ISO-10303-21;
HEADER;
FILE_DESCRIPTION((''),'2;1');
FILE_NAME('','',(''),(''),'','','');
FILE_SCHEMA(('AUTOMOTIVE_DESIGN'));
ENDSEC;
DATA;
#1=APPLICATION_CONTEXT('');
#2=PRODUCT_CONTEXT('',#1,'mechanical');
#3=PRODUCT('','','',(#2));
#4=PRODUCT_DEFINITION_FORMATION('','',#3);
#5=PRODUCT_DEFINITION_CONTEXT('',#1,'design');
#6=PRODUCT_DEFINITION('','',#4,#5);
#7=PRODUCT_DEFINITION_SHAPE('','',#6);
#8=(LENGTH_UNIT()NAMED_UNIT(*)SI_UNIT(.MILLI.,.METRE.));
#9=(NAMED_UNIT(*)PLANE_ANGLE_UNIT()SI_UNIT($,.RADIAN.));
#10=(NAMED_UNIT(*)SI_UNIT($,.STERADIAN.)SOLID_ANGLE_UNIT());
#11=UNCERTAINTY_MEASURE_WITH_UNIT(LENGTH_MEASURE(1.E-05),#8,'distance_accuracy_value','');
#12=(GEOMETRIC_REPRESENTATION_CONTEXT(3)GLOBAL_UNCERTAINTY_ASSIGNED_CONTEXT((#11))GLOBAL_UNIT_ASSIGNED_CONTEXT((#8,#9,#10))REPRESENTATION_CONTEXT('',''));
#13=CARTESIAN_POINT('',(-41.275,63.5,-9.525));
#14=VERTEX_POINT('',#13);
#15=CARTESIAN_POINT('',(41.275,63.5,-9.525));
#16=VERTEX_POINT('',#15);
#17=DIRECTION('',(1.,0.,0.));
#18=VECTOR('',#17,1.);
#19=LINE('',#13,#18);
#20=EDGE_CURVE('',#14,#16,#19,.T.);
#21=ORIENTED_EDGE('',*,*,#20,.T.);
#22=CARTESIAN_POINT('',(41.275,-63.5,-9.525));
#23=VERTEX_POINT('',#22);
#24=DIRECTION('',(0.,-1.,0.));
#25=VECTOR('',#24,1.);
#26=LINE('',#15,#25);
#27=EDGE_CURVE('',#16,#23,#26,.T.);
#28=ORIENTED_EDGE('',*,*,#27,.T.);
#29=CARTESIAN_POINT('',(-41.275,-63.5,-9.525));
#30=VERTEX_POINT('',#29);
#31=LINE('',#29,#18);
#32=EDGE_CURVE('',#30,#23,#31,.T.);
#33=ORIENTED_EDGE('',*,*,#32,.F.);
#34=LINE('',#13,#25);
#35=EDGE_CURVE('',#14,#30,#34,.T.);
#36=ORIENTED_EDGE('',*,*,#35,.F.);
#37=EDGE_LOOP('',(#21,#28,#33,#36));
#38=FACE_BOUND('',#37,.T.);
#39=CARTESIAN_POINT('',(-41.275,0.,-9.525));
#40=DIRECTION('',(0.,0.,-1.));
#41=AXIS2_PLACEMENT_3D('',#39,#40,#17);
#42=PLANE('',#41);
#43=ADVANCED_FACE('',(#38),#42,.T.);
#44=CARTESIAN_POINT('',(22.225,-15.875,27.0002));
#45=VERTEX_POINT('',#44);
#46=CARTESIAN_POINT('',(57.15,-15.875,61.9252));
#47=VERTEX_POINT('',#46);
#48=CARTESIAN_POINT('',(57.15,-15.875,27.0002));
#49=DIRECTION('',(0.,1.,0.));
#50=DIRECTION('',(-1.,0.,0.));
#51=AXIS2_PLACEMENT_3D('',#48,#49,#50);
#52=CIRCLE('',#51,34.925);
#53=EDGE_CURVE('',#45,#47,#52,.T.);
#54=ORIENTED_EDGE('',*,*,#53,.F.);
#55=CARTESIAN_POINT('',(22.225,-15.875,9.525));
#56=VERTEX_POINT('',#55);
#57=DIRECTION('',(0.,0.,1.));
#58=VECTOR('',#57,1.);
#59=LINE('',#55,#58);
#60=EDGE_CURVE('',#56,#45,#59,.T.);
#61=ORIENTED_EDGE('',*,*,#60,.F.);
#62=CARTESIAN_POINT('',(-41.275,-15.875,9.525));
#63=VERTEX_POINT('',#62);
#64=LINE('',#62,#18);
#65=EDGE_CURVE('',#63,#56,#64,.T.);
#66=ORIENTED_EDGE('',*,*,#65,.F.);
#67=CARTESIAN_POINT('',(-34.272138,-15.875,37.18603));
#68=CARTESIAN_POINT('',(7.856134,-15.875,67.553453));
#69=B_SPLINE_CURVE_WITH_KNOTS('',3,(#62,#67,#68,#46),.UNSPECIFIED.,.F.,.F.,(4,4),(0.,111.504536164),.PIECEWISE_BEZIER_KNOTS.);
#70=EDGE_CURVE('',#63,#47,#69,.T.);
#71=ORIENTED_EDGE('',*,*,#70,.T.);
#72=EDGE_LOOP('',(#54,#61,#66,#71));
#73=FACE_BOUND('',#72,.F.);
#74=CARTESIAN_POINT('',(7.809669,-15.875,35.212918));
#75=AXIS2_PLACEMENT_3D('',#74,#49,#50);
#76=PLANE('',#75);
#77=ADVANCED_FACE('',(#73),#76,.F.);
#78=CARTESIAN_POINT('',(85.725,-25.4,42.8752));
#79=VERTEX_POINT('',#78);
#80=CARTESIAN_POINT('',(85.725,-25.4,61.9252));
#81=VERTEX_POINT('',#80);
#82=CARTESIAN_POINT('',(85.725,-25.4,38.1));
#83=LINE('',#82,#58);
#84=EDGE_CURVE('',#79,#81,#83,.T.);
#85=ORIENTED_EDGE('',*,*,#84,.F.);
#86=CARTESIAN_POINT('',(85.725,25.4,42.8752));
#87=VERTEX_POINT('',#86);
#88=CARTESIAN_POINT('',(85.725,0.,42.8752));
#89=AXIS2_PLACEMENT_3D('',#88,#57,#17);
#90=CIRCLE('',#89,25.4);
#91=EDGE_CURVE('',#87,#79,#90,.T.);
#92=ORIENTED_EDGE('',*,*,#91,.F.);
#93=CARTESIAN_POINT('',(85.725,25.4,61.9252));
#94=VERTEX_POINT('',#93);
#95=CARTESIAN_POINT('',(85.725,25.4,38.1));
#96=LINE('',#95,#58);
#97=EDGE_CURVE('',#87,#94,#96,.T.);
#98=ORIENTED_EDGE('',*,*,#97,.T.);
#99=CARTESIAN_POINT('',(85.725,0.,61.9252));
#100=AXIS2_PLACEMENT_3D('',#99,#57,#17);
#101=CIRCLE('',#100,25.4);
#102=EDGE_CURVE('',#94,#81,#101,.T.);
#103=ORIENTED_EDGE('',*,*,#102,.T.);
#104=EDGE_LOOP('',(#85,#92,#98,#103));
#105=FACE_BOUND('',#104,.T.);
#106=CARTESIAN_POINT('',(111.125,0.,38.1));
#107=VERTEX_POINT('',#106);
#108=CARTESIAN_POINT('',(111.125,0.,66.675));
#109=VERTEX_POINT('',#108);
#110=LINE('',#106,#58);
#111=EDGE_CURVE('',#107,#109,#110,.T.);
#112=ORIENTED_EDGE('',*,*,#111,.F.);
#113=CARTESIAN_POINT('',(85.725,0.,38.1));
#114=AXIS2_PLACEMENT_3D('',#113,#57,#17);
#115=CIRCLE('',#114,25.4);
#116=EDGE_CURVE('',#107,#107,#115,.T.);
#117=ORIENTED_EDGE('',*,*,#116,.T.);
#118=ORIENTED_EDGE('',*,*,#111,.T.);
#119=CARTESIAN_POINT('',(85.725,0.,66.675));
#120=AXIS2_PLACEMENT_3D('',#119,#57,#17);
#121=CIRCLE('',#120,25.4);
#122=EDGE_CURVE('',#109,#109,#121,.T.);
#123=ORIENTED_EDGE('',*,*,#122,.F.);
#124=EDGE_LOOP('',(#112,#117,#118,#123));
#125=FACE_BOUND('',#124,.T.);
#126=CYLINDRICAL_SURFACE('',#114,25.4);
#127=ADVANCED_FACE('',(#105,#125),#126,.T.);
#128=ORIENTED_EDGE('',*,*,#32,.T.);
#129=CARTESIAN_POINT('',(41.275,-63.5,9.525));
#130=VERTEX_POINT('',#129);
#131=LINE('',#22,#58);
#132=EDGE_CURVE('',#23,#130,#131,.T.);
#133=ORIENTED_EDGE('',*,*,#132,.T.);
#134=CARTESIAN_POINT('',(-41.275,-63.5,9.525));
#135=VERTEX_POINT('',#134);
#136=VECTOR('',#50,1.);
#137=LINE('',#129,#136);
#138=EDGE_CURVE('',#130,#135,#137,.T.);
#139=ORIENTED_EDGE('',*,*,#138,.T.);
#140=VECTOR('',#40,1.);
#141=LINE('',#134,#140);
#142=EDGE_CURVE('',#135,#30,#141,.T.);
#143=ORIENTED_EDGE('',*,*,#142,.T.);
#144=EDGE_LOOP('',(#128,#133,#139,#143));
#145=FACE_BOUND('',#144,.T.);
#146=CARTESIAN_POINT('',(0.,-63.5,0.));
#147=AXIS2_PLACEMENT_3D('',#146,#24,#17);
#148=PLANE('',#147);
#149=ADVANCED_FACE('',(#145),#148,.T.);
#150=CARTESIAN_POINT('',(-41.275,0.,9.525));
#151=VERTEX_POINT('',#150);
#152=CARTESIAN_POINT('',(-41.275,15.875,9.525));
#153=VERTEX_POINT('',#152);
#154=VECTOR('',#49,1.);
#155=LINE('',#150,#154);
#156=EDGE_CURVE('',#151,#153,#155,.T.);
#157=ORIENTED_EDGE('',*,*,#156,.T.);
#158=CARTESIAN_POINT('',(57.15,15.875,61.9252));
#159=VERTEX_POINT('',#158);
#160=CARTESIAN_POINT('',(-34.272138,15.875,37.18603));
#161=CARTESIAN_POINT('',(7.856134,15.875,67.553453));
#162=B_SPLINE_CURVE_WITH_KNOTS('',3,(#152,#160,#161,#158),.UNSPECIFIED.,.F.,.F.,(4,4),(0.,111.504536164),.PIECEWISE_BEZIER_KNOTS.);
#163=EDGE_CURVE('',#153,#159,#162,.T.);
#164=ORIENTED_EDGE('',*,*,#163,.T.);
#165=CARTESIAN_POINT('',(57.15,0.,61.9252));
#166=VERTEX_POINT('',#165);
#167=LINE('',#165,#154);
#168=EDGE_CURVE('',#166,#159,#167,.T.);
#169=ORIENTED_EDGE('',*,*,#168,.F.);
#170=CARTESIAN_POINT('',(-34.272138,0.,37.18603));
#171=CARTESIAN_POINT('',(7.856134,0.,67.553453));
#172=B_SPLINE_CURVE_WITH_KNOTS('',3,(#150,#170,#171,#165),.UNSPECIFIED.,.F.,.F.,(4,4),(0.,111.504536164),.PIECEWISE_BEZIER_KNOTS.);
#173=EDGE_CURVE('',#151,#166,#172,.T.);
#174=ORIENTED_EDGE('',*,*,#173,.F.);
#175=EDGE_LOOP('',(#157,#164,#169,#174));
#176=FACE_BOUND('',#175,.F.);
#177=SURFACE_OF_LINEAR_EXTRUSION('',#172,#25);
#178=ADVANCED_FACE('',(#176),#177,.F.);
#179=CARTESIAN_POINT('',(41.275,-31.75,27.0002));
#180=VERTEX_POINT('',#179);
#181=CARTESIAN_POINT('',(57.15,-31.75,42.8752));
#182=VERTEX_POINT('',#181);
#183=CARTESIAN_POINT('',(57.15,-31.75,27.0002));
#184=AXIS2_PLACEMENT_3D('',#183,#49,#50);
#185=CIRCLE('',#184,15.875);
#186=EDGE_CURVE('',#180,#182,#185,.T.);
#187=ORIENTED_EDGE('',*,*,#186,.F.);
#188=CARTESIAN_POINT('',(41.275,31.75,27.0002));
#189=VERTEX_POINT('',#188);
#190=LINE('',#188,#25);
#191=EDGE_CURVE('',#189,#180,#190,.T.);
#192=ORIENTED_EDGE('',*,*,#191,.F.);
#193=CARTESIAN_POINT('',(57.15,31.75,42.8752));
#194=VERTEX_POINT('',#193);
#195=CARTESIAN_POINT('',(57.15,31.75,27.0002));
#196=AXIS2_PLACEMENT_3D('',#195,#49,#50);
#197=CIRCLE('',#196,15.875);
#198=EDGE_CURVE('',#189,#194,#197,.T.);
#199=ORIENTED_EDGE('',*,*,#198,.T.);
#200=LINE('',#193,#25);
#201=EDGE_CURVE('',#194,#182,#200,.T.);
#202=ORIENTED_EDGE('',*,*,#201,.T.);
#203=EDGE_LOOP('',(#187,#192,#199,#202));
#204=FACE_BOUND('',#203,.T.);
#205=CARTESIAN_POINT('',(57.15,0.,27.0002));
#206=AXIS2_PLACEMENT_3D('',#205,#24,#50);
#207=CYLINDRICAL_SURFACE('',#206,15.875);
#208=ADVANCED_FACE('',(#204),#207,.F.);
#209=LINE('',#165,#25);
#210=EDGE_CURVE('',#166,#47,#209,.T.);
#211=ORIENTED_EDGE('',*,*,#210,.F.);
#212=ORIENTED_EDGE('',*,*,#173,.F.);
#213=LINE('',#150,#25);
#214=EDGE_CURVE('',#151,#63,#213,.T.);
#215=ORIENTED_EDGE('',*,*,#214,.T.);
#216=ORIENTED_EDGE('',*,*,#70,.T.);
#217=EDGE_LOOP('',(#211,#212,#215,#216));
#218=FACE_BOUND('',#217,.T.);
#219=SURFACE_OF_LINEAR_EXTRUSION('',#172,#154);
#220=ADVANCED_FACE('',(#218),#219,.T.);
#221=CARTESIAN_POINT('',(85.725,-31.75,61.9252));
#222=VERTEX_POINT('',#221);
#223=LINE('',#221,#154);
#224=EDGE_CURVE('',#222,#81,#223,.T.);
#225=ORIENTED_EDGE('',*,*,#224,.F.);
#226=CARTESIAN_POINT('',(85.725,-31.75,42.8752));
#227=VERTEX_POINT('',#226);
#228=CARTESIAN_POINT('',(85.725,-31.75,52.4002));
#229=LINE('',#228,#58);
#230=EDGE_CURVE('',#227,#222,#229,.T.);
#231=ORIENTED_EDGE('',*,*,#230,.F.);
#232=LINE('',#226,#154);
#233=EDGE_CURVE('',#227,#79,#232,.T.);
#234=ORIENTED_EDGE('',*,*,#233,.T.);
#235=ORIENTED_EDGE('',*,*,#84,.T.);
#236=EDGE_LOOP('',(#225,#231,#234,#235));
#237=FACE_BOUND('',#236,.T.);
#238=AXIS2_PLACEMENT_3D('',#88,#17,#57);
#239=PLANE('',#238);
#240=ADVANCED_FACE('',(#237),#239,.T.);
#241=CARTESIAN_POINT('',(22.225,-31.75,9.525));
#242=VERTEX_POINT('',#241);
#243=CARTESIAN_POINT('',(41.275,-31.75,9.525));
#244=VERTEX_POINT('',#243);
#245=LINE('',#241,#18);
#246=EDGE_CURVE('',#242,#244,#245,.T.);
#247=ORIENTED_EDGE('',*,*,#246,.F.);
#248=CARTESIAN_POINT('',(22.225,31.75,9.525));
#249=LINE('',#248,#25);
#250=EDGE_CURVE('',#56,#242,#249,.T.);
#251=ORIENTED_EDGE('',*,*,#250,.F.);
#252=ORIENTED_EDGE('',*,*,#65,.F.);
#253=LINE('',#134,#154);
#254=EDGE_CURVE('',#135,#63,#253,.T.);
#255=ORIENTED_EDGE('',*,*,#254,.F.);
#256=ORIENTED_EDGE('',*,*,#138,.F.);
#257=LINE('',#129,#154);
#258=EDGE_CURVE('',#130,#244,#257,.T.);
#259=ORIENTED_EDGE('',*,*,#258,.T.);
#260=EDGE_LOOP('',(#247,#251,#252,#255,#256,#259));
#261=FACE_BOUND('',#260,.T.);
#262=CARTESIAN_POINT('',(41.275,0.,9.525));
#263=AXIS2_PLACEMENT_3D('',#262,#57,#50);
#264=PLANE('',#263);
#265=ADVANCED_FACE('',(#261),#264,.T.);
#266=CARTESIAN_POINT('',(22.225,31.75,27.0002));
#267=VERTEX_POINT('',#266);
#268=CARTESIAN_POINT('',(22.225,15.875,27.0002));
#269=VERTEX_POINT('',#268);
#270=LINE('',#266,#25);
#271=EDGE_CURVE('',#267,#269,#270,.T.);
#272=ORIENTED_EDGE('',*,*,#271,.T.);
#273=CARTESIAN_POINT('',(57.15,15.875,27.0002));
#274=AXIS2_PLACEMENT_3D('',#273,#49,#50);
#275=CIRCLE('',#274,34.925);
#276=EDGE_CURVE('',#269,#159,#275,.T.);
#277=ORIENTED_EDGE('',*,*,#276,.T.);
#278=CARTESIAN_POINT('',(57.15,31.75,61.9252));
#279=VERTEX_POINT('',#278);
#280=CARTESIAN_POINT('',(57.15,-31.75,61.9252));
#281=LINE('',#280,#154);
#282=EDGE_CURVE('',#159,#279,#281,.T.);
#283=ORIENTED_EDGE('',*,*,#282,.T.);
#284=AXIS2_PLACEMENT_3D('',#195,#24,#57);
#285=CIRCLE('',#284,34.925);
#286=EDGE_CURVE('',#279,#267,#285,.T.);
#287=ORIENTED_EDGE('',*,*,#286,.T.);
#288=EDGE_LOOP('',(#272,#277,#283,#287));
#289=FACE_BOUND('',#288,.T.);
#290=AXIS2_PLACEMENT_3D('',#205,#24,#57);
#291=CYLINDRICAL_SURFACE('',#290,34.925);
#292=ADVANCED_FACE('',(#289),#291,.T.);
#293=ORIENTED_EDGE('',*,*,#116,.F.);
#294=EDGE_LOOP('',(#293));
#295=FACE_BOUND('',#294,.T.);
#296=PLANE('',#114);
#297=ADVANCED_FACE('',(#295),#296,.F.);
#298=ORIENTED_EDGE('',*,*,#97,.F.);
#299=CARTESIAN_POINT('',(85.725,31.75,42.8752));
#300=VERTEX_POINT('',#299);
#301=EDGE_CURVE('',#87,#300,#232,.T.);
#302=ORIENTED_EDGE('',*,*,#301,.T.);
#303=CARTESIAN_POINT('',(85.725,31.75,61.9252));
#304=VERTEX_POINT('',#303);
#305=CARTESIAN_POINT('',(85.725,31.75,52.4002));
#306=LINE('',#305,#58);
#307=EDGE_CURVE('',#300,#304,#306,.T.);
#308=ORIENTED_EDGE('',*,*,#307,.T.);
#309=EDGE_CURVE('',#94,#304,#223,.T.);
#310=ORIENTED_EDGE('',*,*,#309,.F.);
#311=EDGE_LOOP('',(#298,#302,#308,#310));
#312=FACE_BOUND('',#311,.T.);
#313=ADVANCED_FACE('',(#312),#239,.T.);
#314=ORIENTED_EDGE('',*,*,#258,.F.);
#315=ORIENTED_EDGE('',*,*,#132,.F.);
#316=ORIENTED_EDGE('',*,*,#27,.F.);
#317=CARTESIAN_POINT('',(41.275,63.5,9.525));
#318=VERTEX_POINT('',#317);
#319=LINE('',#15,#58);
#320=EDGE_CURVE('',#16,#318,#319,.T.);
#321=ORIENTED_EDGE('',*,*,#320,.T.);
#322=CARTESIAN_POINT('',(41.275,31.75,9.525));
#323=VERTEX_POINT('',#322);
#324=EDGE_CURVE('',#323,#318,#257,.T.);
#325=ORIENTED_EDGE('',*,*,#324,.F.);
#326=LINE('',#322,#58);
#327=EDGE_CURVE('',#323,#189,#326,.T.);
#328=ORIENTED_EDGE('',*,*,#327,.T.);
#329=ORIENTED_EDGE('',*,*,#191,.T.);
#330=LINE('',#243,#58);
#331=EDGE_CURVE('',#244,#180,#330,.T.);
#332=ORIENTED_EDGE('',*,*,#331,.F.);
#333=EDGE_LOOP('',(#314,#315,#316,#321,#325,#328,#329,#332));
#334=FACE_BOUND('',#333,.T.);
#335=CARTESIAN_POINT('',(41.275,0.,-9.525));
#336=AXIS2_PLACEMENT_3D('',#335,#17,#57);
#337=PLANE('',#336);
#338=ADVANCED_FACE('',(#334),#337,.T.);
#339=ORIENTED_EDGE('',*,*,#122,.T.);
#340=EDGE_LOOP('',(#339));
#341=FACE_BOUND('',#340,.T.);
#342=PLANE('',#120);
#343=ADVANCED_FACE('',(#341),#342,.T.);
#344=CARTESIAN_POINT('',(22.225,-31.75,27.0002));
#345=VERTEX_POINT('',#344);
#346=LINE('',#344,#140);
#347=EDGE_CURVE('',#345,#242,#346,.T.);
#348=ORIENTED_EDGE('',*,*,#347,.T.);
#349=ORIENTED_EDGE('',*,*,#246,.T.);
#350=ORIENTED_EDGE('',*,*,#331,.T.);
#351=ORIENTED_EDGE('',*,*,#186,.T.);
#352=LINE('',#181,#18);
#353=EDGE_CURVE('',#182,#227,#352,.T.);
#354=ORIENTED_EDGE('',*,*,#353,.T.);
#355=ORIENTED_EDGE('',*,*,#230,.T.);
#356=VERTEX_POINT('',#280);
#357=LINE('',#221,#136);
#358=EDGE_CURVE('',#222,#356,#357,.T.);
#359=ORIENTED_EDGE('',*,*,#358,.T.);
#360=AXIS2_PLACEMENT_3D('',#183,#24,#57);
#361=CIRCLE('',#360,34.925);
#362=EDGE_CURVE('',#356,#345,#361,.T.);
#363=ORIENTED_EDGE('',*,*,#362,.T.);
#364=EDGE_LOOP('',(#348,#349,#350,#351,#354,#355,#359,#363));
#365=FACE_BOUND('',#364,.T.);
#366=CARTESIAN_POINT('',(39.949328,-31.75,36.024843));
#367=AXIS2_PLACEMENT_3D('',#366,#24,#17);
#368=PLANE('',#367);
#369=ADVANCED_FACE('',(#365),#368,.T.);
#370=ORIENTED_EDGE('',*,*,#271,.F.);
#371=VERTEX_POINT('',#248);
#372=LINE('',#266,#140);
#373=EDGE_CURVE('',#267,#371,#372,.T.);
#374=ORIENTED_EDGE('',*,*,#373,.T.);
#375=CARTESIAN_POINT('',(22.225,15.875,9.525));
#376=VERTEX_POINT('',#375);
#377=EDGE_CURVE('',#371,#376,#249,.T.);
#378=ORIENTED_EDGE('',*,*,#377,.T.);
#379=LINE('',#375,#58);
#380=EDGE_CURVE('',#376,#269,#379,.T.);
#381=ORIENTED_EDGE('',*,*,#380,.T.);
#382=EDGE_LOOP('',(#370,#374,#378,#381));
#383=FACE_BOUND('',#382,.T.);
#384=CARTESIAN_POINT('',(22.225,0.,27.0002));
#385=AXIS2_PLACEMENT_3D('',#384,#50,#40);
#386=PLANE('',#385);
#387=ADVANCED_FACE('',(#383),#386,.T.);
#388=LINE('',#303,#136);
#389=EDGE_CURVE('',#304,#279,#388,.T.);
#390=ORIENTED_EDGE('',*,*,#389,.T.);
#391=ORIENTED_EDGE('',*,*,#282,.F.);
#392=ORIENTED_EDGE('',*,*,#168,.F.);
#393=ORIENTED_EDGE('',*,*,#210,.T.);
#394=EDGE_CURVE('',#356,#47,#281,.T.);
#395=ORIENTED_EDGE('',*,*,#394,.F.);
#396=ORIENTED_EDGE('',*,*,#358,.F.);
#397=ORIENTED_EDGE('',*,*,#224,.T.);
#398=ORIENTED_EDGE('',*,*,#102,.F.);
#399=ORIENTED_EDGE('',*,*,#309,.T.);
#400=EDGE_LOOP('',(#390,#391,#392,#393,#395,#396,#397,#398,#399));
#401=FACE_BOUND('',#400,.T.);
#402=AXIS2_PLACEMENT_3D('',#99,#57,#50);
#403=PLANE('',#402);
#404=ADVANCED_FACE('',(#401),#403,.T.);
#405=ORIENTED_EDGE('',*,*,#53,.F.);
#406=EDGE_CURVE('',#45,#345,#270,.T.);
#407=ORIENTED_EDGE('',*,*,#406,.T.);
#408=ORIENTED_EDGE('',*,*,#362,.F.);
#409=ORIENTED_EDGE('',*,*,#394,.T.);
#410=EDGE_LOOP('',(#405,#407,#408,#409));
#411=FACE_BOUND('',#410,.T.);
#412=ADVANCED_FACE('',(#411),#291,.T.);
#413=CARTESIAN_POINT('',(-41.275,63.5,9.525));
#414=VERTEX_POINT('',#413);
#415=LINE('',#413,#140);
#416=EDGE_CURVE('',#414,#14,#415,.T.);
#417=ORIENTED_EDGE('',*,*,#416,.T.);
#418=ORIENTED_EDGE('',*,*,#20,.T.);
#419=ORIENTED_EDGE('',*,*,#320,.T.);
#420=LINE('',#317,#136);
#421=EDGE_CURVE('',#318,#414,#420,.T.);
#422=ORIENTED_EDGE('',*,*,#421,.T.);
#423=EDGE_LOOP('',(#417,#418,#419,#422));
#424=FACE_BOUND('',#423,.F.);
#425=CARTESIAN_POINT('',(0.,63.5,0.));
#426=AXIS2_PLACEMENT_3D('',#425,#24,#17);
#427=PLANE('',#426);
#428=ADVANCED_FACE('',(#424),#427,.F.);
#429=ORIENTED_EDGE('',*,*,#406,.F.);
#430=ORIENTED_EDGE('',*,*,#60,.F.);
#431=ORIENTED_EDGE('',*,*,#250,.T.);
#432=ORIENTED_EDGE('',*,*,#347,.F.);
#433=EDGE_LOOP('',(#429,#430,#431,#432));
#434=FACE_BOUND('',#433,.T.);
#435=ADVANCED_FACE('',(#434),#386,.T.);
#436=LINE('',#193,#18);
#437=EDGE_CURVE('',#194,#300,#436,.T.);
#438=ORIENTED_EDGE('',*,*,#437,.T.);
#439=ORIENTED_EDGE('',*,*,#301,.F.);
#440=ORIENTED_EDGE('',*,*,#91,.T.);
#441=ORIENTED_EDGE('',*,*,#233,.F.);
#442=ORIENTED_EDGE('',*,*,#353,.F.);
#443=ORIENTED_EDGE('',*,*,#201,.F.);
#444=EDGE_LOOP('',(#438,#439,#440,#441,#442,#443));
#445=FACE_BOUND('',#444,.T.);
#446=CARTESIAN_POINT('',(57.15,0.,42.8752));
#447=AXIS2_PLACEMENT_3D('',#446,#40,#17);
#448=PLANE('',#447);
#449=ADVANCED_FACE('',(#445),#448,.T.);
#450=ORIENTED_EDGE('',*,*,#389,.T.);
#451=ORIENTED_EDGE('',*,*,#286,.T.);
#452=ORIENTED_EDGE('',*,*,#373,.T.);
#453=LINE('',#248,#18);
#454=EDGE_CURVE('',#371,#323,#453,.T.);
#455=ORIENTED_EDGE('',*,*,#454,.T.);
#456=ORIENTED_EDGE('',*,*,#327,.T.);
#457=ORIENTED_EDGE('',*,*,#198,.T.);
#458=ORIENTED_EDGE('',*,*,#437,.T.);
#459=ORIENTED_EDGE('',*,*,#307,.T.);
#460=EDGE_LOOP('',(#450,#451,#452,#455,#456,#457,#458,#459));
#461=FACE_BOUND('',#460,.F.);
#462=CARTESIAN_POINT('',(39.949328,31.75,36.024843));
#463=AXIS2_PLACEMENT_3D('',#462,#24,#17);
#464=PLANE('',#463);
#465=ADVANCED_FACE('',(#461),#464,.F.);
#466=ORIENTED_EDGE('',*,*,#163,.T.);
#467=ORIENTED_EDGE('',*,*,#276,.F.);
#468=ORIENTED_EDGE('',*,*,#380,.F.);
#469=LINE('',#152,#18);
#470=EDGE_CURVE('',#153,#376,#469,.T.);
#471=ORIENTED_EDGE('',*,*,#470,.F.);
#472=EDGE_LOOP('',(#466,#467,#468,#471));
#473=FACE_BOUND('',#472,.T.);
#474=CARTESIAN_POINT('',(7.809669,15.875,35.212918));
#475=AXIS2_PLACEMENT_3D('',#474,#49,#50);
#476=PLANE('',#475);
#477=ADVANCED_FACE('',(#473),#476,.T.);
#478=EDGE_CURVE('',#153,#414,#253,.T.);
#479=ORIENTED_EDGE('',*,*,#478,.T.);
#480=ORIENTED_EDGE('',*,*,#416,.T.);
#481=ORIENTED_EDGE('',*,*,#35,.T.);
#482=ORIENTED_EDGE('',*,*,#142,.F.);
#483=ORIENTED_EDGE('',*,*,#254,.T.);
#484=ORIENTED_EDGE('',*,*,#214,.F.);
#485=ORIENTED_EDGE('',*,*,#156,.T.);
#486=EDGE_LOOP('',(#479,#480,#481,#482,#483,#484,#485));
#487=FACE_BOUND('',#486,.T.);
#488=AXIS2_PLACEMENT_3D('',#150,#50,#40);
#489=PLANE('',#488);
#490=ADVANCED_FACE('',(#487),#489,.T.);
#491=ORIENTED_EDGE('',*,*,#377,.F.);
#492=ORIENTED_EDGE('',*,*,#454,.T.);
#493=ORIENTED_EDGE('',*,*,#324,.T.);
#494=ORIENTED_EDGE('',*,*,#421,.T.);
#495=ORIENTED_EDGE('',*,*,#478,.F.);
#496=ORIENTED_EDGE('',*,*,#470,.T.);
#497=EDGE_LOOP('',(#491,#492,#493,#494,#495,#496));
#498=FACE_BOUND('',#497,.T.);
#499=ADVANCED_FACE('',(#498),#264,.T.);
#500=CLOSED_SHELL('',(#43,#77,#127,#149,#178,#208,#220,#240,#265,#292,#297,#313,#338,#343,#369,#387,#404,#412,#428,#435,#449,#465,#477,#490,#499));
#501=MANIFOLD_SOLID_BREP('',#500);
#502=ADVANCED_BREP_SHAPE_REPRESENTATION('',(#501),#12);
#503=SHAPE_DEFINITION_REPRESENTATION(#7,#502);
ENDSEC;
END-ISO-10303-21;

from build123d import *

# Parameters (mm, degrees)
F1_DEPTH = 63.5
F0_W     = 25.4
F0_H     = 19.05
F2_DEPTH = 31.75
F4_DEPTH = 15.875


with BuildPart() as f1:
    # F0 (on Front) → F1 (new body, symmetric)
    with BuildSketch(Plane.XZ):
        Polygon((22.225, 9.525), (-41.275, 9.525), (-41.275, -9.525), (41.275, -9.525), (41.275, 9.525), align=None)
    extrude(amount=F1_DEPTH, both=True)

    # F0 (on Front) → F2 (join, symmetric)
    with BuildSketch(Plane.XZ):
        with BuildLine():
            Line((22.225, 27.0002), (22.225, 9.525))
            Line((22.225, 9.525), (41.275, 9.525))
            Line((41.275, 9.525), (41.275, 27.0002))
            ThreePointArc((41.275, 27.0002), (45.9246798487, 38.2255201513), (57.15, 42.8752))
            Line((57.15, 42.8752), (60.325, 42.8752))
            Line((60.325, 42.8752), (60.325, 61.9252))
            Line((60.325, 61.9252), (57.15, 61.9252))
            ThreePointArc((57.15, 61.9252), (32.4542956671, 51.6959043329), (22.225, 27.0002))
        make_face()
        with Locations((73.025, 52.4002)):
            Rectangle(F0_W, F0_H)
    extrude(amount=F2_DEPTH, both=True)

    # F0 (on Front) → F3 (revolve)
    with BuildSketch(Plane.XZ):
        Polygon((85.725, 66.675), (85.725, 61.9252), (85.725, 42.8752), (85.725, 38.1), (111.125, 38.1), (111.125, 66.675), align=None)
    revolve(axis=Axis((85.725, 0, 52.3875), (0, 0, 1)))

    # F0 (on Front) → F4 (join, symmetric)
    with BuildSketch(Plane.XZ):
        with BuildLine():
            add(Edge.make_bspline(
                [(-41.275, 9.525), (-34.2721380293, 37.1860302985), (7.8561343253, 67.5534531474), (57.15, 61.9252)],
                knots=[0, 0, 0, 0, 111.5045361635, 111.5045361635, 111.5045361635, 111.5045361635], degree=3))
            Line((-41.275, 9.525), (22.225, 9.525))
            Line((22.225, 9.525), (22.225, 27.0002))
            ThreePointArc((22.225, 27.0002), (32.4542956671, 51.6959043329), (57.15, 61.9252))
        make_face()
    extrude(amount=F4_DEPTH, both=True)


solid = f1.part
